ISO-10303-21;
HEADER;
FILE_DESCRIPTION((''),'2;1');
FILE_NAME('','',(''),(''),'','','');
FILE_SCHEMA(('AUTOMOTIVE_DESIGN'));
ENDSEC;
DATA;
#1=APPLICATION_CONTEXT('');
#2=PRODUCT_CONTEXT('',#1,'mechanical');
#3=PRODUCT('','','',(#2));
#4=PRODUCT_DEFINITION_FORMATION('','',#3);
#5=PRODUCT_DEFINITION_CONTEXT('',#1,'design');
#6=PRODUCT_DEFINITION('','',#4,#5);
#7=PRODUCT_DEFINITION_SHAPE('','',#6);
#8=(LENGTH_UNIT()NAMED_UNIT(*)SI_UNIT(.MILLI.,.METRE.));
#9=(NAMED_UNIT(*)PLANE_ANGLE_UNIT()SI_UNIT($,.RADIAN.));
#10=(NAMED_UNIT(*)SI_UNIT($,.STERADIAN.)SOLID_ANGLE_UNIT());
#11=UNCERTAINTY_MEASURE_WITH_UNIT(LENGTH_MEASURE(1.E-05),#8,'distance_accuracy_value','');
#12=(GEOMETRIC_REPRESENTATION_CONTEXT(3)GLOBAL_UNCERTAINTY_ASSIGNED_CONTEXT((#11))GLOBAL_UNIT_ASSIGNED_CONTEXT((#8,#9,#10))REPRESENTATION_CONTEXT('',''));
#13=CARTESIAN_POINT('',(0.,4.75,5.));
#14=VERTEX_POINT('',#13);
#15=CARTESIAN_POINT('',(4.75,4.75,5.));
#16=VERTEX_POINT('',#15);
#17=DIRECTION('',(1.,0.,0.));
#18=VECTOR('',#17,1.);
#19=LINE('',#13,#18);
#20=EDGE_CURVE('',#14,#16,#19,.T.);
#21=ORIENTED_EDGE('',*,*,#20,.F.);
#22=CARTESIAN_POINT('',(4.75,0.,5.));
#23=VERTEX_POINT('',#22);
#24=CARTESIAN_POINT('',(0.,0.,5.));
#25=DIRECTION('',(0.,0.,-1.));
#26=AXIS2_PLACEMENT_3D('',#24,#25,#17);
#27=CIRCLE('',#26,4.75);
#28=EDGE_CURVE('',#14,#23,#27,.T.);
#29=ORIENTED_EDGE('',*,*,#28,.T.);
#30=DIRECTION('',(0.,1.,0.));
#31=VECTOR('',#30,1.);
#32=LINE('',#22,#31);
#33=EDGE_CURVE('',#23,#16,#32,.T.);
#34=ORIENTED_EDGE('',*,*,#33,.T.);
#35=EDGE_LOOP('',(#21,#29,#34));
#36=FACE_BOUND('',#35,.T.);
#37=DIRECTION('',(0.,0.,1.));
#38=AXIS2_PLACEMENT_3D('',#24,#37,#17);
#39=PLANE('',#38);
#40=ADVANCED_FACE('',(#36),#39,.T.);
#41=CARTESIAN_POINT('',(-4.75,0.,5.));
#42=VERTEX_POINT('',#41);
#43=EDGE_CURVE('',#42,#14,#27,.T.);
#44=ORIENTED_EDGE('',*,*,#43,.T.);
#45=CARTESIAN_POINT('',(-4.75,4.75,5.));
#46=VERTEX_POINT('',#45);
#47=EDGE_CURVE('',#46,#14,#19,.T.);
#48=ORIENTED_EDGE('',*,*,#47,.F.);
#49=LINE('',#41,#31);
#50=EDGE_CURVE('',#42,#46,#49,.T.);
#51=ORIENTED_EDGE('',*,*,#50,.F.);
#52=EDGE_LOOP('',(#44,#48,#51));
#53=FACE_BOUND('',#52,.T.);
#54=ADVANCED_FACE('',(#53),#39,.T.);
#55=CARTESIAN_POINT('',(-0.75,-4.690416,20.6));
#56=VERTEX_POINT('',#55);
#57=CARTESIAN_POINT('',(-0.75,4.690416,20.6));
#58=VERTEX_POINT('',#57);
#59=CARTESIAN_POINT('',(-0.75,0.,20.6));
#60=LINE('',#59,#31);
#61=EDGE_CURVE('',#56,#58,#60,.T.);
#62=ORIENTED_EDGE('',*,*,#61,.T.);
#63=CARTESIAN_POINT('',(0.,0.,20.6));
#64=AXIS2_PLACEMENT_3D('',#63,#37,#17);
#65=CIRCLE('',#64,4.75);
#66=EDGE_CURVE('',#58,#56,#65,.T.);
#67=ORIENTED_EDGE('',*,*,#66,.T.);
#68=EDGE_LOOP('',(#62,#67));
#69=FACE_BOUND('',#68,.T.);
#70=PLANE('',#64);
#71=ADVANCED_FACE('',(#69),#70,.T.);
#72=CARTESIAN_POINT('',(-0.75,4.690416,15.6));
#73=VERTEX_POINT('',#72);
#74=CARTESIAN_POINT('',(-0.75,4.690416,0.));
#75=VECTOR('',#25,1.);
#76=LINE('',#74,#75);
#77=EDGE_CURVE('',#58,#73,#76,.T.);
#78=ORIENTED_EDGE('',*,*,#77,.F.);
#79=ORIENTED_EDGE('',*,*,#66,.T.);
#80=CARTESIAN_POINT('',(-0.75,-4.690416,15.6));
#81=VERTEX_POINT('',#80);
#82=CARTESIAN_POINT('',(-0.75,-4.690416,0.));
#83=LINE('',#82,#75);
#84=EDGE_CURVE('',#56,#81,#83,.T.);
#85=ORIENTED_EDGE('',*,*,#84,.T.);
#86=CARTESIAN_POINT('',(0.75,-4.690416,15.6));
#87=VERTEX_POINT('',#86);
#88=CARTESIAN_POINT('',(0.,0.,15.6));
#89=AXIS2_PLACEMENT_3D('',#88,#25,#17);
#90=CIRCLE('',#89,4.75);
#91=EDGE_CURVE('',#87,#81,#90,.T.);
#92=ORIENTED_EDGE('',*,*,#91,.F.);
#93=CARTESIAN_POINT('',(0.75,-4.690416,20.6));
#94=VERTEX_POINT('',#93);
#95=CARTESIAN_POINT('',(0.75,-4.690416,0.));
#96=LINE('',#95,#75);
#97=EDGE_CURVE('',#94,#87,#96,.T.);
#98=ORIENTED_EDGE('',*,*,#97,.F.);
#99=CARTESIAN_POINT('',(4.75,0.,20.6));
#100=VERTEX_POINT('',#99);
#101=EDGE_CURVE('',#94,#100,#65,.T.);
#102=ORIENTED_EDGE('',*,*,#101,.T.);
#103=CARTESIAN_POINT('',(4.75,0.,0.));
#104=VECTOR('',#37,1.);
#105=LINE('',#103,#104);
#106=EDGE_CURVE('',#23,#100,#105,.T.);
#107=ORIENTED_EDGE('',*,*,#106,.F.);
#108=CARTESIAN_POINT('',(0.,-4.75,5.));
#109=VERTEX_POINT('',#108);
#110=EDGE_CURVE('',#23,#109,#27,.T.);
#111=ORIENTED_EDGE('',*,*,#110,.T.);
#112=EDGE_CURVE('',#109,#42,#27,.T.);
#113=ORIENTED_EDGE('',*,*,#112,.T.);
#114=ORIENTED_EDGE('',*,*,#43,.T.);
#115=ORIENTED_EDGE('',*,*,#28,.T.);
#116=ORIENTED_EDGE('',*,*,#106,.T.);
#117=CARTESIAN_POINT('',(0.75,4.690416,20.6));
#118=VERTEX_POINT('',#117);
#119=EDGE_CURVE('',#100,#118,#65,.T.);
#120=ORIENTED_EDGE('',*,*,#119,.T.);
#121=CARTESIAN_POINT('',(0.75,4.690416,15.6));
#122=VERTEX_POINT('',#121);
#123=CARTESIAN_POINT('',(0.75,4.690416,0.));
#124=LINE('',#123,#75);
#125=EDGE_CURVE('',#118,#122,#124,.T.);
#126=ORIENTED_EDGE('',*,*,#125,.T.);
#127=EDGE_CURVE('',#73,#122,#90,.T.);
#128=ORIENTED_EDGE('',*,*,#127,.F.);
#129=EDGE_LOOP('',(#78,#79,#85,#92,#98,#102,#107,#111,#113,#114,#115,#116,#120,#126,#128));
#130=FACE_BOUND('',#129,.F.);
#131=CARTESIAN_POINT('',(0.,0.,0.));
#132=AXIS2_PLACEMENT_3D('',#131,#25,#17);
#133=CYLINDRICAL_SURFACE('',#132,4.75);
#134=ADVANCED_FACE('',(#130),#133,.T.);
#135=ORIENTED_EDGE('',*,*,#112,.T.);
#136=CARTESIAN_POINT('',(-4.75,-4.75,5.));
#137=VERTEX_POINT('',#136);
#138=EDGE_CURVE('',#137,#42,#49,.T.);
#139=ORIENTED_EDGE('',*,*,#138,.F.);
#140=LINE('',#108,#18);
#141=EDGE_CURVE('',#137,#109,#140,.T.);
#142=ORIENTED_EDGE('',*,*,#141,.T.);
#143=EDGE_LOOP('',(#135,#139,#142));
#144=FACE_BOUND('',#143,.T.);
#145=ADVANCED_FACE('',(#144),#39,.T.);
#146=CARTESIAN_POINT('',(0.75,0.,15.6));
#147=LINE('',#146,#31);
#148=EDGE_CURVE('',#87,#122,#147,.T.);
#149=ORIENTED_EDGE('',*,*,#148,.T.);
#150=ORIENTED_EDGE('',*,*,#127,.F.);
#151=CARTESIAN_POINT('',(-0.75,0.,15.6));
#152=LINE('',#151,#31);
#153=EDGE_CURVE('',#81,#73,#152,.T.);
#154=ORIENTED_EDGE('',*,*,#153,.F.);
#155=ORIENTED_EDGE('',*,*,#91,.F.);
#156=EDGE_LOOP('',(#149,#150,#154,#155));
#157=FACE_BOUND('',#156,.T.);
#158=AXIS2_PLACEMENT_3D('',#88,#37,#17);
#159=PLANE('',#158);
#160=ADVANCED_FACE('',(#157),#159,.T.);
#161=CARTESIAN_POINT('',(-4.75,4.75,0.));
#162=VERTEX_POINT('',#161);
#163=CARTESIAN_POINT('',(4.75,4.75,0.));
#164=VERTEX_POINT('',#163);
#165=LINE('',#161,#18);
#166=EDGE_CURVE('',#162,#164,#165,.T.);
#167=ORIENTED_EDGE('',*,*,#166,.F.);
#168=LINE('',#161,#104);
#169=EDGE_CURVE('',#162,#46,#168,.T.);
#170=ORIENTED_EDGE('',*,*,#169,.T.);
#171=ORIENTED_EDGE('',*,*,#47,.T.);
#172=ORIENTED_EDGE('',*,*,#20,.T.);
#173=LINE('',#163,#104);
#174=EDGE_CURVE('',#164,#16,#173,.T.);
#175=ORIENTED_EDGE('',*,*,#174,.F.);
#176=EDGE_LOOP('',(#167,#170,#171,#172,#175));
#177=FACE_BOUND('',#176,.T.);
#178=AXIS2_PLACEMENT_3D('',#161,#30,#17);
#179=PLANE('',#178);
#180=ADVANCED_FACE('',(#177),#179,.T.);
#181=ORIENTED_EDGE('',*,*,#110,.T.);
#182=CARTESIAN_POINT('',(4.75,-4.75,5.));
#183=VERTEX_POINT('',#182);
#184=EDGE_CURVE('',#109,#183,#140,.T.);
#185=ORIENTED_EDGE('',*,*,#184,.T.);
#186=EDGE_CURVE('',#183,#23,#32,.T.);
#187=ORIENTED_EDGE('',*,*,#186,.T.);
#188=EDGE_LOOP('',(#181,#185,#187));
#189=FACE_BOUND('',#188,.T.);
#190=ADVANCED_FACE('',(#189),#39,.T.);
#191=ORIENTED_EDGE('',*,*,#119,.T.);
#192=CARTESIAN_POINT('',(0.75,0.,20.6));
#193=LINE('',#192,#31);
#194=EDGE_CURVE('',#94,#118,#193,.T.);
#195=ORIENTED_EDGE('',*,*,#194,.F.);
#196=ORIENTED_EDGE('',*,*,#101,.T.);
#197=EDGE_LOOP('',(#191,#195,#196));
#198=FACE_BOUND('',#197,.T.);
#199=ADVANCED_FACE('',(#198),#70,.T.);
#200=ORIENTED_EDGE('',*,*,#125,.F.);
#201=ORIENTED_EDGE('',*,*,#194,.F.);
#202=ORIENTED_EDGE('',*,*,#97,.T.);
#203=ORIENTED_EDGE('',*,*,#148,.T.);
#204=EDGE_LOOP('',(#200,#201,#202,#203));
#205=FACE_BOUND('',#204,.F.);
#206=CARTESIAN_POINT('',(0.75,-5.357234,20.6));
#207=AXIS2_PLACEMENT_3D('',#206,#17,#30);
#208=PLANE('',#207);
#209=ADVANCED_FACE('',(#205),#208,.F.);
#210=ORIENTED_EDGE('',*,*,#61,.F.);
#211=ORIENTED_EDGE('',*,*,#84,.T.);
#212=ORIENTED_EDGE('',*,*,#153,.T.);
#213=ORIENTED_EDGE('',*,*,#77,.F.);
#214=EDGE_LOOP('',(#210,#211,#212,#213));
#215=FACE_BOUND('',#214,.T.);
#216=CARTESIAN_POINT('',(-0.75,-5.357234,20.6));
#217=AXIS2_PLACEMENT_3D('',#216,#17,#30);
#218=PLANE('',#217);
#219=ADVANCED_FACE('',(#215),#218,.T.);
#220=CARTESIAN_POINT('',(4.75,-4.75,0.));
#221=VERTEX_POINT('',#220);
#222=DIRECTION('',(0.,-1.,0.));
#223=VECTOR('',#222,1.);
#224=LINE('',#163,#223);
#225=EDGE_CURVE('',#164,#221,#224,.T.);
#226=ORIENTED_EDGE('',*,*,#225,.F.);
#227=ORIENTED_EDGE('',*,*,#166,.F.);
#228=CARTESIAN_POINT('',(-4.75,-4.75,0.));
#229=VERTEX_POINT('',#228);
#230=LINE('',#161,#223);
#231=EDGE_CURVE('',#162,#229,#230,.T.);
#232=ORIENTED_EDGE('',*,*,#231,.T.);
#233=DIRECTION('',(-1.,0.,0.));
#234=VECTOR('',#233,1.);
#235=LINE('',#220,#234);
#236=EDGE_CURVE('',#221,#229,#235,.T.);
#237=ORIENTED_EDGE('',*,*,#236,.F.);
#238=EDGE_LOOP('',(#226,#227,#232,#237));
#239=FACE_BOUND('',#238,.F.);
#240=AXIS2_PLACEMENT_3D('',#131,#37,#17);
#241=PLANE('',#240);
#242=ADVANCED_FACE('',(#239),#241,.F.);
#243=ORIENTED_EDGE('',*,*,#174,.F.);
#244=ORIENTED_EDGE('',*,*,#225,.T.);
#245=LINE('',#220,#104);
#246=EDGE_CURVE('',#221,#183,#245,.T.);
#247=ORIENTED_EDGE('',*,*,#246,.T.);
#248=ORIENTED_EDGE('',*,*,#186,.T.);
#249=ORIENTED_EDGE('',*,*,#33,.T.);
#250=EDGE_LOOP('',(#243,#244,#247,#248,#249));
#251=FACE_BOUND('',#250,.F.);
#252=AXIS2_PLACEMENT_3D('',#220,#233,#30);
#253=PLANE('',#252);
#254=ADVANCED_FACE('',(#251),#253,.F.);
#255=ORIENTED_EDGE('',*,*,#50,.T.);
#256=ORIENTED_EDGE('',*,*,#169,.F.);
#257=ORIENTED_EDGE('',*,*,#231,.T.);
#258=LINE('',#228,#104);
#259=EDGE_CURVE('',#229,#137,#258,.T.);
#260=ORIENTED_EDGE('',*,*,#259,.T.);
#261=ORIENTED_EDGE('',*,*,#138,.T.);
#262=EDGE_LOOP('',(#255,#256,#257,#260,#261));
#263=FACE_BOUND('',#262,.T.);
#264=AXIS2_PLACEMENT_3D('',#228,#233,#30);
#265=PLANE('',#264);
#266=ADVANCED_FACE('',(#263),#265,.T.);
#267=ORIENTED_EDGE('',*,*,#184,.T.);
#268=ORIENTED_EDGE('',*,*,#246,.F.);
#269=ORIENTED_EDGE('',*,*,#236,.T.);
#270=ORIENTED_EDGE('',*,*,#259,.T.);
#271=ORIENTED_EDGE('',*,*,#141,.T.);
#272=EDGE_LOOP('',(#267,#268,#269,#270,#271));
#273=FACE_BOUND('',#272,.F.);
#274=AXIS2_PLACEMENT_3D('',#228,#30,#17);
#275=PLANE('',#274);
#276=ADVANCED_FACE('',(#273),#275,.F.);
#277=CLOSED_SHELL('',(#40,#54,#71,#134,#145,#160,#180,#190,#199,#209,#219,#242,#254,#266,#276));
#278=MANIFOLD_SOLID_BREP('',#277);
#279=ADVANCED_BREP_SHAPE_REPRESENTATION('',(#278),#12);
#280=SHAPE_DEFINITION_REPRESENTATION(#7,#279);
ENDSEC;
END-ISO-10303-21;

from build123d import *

# Parameters (mm, degrees)
F0_R     = 4.75
F1_DEPTH = 20.6
F3_W     = 1.5
F3_H     = 10.714468
F4_DEPTH = 5
F5_W     = 9.5
F5_H     = 9.5
F6_DEPTH = 5


with BuildPart() as f1:
    # F0 (on Top) → F1 (new body)
    with BuildSketch(Plane.XY):
        Circle(F0_R)
    extrude(amount=F1_DEPTH)

    # F3 (on offset) → F4 (cut)
    with BuildSketch(Plane.XY.offset(20.6)):
        Rectangle(F3_W, F3_H)
    extrude(amount=-F4_DEPTH, mode=Mode.SUBTRACT)

    # F5 (on Top) → F6 (join)
    with BuildSketch(Plane.XY):
        Rectangle(F5_W, F5_H)
    extrude(amount=F6_DEPTH)


solid = f1.part
